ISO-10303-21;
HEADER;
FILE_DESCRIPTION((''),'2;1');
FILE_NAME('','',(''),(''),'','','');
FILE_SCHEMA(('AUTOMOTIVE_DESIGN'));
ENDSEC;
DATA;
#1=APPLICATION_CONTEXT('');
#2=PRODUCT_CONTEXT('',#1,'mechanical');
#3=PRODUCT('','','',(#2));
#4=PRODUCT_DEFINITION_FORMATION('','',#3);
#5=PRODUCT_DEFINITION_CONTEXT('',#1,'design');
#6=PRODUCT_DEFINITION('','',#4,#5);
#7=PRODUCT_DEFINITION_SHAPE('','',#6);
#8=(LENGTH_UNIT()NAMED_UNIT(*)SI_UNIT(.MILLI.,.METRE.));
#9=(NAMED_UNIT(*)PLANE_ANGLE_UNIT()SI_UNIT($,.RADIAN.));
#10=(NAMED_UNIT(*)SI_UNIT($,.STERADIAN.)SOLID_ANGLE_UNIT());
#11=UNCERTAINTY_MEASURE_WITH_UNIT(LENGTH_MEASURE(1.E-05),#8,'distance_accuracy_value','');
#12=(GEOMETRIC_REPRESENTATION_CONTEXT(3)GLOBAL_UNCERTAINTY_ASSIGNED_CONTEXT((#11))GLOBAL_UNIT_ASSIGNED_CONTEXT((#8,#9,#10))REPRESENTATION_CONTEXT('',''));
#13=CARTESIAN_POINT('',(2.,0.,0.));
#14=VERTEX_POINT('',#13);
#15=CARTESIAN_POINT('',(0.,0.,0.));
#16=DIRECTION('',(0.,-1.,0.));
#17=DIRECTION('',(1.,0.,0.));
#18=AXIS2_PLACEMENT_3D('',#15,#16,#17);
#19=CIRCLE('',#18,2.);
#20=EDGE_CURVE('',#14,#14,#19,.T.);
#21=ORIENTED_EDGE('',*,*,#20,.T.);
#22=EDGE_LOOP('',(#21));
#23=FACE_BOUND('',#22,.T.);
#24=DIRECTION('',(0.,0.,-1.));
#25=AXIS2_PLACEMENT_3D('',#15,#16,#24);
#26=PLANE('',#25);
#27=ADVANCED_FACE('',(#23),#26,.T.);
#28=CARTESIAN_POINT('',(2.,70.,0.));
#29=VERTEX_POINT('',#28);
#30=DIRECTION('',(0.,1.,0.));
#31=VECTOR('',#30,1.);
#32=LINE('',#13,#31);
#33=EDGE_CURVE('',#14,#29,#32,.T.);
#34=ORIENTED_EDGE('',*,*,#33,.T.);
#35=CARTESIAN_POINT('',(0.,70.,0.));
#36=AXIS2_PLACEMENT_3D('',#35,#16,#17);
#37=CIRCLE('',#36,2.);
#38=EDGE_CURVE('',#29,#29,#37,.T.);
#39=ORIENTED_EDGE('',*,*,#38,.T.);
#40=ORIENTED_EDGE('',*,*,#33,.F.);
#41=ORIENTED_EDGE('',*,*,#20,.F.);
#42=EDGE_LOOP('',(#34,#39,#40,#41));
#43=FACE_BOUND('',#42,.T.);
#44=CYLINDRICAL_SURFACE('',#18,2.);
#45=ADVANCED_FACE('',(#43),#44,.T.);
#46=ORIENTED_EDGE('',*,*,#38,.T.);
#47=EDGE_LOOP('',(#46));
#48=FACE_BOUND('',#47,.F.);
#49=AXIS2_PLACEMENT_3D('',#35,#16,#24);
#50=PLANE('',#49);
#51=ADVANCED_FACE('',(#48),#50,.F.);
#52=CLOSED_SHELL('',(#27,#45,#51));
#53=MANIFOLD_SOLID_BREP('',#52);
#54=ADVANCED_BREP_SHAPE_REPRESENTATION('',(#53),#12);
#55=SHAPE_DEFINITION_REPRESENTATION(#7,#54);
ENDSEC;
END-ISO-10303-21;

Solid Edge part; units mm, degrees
sketch "Sketch1" plane through (0, 0, 0) normal (0, -1, 0) x (1, 0, 0)
  circle A0 centre (0, 0) radius 2
extrude "Protrusion1" add sketch "Sketch1" against normal blind 70
cosmetic_thread "Thread1" size "M4"
